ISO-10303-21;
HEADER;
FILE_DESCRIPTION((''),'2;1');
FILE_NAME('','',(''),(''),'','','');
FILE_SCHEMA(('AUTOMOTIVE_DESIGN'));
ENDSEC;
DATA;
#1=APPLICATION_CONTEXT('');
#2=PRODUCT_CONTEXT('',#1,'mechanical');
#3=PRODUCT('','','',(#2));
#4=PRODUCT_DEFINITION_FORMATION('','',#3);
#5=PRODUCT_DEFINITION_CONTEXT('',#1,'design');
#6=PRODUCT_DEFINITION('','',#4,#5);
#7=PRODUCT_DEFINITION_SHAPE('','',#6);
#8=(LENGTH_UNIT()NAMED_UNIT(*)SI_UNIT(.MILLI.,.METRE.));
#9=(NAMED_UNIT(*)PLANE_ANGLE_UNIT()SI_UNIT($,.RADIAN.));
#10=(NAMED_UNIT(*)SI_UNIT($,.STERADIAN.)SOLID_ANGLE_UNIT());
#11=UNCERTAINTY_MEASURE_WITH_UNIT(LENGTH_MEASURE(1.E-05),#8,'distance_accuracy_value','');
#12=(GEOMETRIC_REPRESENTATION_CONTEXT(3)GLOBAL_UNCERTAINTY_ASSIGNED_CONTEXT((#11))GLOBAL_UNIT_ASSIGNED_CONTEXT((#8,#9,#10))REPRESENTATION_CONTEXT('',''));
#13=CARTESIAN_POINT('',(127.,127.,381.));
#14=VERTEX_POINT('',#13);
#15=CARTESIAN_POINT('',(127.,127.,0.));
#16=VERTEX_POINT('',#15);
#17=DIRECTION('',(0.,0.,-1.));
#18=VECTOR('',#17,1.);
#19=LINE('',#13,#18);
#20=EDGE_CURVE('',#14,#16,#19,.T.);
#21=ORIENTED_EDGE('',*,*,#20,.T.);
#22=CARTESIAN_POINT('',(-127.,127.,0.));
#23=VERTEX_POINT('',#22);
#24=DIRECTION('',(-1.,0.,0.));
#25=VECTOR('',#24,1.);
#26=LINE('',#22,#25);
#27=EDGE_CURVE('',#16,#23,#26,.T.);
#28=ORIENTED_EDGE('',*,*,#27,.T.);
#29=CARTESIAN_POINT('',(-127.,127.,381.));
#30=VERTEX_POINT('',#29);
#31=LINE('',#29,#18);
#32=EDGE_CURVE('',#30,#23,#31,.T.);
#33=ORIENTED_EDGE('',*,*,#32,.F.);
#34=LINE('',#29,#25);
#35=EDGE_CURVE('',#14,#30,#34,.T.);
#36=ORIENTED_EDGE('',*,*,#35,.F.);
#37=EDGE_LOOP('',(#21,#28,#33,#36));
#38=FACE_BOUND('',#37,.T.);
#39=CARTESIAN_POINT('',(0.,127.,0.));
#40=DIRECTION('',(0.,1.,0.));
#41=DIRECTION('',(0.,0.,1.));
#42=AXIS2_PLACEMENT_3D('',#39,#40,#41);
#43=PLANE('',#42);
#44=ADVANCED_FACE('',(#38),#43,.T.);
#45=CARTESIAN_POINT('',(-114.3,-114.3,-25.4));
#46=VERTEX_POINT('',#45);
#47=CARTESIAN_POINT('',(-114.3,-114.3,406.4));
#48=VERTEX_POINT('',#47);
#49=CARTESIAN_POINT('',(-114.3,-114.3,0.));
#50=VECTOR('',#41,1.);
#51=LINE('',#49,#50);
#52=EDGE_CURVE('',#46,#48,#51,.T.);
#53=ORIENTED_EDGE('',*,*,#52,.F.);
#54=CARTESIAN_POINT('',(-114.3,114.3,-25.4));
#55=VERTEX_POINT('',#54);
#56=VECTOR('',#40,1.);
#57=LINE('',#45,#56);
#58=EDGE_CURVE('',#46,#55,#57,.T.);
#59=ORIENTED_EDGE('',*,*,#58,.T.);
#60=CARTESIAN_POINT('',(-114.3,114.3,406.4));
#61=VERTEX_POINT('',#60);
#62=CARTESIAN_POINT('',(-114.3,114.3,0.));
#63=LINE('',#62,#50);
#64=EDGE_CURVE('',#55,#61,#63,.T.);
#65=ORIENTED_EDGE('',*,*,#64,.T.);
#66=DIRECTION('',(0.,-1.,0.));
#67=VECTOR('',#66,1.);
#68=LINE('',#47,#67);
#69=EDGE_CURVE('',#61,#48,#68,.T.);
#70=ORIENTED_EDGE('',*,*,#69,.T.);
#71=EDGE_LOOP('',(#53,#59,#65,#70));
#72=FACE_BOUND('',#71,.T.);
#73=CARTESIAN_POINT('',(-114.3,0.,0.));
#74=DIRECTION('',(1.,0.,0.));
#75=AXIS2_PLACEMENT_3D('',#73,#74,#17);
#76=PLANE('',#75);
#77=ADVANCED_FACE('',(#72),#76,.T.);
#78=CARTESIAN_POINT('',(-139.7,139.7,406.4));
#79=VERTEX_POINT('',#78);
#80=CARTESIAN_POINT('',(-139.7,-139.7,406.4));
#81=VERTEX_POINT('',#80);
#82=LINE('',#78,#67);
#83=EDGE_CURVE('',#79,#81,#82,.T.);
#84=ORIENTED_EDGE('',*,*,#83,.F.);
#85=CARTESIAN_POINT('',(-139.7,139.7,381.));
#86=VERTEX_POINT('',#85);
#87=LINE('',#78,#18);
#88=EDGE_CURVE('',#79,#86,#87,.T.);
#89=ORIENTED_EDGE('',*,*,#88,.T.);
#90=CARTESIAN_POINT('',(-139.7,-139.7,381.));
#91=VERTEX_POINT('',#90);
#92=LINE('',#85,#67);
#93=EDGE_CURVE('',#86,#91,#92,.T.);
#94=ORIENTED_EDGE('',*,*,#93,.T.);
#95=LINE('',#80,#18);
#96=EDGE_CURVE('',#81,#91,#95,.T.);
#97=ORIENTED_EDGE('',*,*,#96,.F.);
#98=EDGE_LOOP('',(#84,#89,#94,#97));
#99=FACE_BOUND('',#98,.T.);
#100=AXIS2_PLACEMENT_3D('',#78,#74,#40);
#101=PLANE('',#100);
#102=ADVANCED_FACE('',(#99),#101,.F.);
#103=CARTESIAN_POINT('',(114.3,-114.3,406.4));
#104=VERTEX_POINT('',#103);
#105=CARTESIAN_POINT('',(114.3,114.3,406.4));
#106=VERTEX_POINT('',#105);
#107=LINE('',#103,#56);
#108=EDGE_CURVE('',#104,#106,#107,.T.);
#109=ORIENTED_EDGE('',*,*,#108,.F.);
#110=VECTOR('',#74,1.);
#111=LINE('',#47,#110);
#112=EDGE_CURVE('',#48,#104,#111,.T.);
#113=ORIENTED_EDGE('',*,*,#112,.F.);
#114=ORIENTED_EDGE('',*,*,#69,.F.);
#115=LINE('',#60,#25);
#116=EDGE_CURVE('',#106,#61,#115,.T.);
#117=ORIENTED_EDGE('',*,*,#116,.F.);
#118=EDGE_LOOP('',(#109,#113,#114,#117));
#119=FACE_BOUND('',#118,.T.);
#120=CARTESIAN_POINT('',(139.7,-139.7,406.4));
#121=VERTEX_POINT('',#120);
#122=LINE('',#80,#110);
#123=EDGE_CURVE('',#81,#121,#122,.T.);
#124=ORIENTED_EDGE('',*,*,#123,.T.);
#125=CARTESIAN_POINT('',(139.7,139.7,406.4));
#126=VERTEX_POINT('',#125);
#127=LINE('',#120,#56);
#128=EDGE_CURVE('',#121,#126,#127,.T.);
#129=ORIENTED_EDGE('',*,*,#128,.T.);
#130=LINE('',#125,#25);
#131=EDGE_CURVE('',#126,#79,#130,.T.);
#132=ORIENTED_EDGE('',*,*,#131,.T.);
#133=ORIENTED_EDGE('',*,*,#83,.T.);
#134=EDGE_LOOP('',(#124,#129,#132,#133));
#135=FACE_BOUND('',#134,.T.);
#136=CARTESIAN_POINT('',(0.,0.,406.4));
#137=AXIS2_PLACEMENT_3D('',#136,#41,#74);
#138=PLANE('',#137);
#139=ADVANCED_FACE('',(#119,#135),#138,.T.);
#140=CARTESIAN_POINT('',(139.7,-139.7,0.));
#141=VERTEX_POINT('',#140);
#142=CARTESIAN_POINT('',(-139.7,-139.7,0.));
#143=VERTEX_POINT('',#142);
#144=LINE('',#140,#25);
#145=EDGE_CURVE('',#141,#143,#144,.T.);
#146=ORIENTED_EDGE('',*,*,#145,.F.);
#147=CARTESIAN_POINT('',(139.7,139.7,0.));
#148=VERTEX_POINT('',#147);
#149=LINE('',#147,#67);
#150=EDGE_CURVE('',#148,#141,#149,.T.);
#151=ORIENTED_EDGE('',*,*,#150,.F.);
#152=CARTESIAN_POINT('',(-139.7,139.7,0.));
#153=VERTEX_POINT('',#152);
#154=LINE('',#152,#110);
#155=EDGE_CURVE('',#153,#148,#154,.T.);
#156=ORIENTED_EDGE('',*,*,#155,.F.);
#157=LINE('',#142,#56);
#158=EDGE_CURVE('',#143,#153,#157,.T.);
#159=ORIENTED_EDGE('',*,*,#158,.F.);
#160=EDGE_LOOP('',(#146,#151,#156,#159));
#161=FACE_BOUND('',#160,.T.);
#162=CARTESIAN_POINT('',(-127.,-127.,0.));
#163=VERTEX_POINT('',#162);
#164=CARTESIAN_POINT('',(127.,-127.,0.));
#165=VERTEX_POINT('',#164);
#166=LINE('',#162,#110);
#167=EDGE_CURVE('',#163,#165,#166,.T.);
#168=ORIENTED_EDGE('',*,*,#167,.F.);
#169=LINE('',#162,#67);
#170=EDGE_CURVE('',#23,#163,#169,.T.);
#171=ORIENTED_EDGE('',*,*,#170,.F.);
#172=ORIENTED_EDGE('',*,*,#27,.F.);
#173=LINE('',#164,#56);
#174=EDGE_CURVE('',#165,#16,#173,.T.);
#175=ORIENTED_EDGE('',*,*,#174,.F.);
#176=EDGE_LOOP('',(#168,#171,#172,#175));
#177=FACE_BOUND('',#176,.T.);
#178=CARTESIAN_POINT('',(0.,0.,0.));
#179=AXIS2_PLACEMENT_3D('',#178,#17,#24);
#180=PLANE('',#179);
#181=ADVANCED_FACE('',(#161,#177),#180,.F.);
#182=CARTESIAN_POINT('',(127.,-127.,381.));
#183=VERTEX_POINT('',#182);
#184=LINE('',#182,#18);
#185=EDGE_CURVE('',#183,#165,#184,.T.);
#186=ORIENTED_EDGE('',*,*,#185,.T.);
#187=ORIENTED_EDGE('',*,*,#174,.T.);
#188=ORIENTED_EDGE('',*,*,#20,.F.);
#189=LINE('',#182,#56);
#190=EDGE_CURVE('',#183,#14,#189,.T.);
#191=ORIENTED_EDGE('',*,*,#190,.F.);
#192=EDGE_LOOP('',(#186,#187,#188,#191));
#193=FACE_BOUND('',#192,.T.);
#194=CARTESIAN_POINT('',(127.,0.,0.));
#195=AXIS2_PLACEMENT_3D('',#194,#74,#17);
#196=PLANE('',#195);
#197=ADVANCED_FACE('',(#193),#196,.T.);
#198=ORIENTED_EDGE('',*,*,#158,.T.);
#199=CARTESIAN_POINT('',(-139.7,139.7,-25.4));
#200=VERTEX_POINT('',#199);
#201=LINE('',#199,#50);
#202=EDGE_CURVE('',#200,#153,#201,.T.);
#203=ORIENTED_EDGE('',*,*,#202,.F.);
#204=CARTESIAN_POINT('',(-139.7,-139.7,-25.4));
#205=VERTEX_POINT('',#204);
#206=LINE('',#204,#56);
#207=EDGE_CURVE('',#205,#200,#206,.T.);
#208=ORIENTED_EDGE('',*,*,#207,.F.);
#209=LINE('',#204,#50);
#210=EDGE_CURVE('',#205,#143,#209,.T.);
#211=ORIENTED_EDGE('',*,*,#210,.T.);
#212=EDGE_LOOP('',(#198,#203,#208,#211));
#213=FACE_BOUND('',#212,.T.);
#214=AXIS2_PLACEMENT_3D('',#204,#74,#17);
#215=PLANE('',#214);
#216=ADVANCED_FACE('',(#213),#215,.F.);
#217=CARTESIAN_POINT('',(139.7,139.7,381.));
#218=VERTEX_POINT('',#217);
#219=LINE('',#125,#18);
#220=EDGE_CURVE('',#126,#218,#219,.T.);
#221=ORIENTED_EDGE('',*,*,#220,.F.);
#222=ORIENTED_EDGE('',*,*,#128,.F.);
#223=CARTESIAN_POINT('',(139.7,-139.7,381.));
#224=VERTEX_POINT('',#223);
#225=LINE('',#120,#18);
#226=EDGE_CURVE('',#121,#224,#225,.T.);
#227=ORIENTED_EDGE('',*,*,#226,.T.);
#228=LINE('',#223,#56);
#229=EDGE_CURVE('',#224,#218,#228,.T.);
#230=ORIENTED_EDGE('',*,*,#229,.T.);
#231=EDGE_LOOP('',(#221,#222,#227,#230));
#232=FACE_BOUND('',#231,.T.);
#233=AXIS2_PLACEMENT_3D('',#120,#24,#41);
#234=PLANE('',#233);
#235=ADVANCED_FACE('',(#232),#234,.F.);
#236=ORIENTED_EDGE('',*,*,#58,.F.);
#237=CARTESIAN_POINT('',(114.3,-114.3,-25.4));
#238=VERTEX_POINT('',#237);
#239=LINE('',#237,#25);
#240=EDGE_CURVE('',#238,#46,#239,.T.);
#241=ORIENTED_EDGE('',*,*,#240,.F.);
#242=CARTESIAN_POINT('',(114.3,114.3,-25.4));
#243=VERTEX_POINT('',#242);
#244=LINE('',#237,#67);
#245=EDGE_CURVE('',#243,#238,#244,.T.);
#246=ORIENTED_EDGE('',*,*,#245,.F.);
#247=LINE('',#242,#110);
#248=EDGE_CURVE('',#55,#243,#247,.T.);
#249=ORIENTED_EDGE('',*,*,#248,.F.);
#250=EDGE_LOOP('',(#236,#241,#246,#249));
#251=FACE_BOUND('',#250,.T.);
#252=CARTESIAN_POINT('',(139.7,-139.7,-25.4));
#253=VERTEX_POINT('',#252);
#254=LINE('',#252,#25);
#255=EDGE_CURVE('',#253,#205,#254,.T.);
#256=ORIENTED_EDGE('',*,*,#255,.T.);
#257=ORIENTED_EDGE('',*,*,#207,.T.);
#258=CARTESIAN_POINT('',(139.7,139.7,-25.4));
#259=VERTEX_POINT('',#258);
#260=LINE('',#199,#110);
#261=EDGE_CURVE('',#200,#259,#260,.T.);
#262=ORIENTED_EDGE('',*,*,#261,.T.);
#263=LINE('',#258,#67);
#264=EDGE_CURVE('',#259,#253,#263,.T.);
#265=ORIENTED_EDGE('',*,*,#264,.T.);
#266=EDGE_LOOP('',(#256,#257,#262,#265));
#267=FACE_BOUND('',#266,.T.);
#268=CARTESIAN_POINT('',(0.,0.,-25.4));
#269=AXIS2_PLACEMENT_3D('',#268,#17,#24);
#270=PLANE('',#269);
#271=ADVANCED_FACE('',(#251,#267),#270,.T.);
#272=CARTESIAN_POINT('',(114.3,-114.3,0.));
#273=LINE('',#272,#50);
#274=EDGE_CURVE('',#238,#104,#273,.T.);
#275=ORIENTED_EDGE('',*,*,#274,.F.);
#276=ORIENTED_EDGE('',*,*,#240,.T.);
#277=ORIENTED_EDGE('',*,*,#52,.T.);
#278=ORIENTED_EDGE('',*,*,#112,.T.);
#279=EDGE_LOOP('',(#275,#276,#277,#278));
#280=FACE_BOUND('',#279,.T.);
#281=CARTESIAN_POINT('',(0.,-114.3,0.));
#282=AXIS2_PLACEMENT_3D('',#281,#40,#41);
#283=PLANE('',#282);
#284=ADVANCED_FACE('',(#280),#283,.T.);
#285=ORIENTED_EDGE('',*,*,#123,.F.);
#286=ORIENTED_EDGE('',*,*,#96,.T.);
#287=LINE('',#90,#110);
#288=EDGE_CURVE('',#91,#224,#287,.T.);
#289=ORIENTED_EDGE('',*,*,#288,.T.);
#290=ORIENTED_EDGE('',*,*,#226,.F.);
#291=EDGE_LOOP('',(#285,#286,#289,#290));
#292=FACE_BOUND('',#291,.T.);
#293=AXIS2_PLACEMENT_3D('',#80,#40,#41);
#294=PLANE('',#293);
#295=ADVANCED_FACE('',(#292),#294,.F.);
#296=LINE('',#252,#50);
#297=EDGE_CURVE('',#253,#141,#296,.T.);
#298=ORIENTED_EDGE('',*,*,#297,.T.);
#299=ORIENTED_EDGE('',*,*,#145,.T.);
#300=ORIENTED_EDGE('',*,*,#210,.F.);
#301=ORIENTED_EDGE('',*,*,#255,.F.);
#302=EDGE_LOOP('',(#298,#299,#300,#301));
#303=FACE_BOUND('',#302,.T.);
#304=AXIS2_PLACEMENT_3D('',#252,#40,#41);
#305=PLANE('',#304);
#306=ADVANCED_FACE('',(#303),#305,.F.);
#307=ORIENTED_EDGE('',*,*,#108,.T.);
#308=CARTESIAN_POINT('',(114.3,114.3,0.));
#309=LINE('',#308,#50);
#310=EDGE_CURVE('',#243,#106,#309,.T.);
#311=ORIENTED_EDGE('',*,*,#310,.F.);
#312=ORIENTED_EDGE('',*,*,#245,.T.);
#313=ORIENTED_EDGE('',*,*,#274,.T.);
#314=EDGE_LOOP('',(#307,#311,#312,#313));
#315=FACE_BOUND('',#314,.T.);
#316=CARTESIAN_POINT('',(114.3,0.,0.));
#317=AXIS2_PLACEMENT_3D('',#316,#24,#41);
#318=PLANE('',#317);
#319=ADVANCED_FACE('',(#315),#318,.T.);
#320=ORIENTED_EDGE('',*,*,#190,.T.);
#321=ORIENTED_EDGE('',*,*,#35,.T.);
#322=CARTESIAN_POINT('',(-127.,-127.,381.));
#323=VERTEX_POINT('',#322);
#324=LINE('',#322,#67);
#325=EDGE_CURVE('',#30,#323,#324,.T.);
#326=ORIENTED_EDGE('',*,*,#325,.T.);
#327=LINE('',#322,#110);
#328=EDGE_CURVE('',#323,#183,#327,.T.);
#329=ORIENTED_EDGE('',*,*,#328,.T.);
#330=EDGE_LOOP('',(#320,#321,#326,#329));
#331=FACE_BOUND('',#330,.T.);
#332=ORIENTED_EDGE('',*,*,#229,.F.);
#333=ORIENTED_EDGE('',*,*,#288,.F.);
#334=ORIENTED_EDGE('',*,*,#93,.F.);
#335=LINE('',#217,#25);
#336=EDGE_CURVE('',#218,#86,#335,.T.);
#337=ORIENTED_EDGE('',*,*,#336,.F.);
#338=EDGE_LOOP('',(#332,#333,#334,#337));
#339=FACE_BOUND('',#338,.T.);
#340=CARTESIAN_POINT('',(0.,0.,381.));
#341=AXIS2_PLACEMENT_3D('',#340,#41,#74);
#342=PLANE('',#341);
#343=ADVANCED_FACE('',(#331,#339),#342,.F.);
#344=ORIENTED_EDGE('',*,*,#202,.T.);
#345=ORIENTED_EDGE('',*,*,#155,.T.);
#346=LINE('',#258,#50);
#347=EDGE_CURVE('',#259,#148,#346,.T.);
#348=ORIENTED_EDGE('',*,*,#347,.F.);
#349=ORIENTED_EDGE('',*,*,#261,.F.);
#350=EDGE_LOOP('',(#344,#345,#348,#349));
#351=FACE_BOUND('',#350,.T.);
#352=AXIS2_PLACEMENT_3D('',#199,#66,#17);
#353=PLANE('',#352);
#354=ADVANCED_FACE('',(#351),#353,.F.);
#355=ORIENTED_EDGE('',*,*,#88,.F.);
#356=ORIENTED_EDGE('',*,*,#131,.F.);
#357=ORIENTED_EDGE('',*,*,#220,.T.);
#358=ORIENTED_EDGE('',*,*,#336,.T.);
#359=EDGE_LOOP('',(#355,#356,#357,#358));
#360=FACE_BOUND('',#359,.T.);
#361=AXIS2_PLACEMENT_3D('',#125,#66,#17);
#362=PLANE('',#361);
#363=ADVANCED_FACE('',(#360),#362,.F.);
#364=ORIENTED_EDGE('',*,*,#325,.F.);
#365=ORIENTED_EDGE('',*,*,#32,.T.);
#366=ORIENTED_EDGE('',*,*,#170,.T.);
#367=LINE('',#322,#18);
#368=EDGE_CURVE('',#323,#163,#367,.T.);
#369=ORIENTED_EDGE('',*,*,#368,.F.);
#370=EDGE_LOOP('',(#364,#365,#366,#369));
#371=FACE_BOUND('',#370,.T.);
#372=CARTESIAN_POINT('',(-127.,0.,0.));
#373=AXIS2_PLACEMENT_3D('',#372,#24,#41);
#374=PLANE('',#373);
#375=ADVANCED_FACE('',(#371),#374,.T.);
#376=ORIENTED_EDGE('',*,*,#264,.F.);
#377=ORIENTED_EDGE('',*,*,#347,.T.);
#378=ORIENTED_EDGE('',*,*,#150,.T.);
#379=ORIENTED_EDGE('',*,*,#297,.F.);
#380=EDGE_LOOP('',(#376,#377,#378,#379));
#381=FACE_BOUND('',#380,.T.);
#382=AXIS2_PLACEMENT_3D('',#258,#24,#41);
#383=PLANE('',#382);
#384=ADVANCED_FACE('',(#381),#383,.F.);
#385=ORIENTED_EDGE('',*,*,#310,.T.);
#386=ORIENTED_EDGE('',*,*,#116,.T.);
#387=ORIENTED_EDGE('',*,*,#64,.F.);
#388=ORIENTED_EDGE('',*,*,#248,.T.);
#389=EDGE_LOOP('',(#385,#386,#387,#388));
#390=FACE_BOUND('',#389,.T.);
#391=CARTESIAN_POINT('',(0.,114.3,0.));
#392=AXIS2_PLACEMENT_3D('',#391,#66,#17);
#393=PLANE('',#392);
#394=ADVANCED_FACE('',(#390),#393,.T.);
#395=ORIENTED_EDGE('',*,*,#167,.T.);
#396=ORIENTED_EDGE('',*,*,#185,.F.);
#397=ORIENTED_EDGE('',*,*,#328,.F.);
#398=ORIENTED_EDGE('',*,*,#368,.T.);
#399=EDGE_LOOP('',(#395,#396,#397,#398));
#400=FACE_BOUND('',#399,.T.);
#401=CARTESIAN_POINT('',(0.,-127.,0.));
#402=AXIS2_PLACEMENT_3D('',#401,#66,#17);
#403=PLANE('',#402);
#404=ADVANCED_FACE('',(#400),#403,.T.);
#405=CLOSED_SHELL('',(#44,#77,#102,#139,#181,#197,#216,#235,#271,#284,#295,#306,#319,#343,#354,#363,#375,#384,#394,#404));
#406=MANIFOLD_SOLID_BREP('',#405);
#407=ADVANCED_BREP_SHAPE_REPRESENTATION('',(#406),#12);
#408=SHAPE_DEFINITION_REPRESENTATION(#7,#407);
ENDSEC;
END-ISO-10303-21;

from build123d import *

# Parameters (mm, degrees)
SKETCH5_W           = 279.4
SKETCH5_H           = 279.4
SKETCH5_W_2         = 228.6
SKETCH5_H_2         = 228.6
BOSS_EXTRUDE1_DEPTH = 25.4
SKETCH7_W           = 279.4
SKETCH7_H           = 279.4
SKETCH7_W_2         = 228.6
SKETCH7_H_2         = 228.6
BOSS_EXTRUDE4_DEPTH = 25.4


with BuildPart() as part:
    # Sketch2 → Loft1 section 0
    with BuildSketch(Plane.XY.offset(381)):
        with BuildLine():
            Line((-127, -127), (127, -127))
            Line((127, -127), (127, 127))
            Line((127, 127), (-127, 127))
            Line((-127, 127), (-127, -127))
        make_face()
    # Sketch1 → Loft1 section 1
    with BuildSketch(Plane.XY):
        with BuildLine():
            Line((-127, -127), (127, -127))
            Line((127, -127), (127, 127))
            Line((127, 127), (-127, 127))
            Line((-127, 127), (-127, -127))
        make_face()
    loft()

    # Sketch4 → Cut-Loft1 section 0
    with BuildSketch(Plane(origin=(0, 0, 0), x_dir=(-1, 0, 0), z_dir=(0, 0, -1))):
        with BuildLine():
            Line((-114.3, -114.3), (114.3, -114.3))
            Line((114.3, -114.3), (114.3, 114.3))
            Line((114.3, 114.3), (-114.3, 114.3))
            Line((-114.3, 114.3), (-114.3, -114.3))
        make_face()
    # Sketch3 → Cut-Loft1 section 1
    with BuildSketch(Plane.XY.offset(381)):
        with BuildLine():
            Line((114.3, -114.3), (114.3, 114.3))
            Line((114.3, 114.3), (-114.3, 114.3))
            Line((-114.3, 114.3), (-114.3, -114.3))
            Line((-114.3, -114.3), (114.3, -114.3))
        make_face()
    loft(mode=Mode.SUBTRACT)

    # Sketch5 → Boss-Extrude1 (add)
    with BuildSketch(Plane(origin=(0, 0, 0), x_dir=(-1, 0, 0), z_dir=(0, 0, -1))):
        Rectangle(SKETCH5_W, SKETCH5_H)
        Rectangle(SKETCH5_W_2, SKETCH5_H_2, mode=Mode.SUBTRACT)
    extrude(amount=BOSS_EXTRUDE1_DEPTH)

    # Sketch7 → Boss-Extrude4 (add)
    with BuildSketch(Plane.XY.offset(381)):
        Rectangle(SKETCH7_W, SKETCH7_H)
        Rectangle(SKETCH7_W_2, SKETCH7_H_2, mode=Mode.SUBTRACT)
    extrude(amount=BOSS_EXTRUDE4_DEPTH)


solid = part.part
